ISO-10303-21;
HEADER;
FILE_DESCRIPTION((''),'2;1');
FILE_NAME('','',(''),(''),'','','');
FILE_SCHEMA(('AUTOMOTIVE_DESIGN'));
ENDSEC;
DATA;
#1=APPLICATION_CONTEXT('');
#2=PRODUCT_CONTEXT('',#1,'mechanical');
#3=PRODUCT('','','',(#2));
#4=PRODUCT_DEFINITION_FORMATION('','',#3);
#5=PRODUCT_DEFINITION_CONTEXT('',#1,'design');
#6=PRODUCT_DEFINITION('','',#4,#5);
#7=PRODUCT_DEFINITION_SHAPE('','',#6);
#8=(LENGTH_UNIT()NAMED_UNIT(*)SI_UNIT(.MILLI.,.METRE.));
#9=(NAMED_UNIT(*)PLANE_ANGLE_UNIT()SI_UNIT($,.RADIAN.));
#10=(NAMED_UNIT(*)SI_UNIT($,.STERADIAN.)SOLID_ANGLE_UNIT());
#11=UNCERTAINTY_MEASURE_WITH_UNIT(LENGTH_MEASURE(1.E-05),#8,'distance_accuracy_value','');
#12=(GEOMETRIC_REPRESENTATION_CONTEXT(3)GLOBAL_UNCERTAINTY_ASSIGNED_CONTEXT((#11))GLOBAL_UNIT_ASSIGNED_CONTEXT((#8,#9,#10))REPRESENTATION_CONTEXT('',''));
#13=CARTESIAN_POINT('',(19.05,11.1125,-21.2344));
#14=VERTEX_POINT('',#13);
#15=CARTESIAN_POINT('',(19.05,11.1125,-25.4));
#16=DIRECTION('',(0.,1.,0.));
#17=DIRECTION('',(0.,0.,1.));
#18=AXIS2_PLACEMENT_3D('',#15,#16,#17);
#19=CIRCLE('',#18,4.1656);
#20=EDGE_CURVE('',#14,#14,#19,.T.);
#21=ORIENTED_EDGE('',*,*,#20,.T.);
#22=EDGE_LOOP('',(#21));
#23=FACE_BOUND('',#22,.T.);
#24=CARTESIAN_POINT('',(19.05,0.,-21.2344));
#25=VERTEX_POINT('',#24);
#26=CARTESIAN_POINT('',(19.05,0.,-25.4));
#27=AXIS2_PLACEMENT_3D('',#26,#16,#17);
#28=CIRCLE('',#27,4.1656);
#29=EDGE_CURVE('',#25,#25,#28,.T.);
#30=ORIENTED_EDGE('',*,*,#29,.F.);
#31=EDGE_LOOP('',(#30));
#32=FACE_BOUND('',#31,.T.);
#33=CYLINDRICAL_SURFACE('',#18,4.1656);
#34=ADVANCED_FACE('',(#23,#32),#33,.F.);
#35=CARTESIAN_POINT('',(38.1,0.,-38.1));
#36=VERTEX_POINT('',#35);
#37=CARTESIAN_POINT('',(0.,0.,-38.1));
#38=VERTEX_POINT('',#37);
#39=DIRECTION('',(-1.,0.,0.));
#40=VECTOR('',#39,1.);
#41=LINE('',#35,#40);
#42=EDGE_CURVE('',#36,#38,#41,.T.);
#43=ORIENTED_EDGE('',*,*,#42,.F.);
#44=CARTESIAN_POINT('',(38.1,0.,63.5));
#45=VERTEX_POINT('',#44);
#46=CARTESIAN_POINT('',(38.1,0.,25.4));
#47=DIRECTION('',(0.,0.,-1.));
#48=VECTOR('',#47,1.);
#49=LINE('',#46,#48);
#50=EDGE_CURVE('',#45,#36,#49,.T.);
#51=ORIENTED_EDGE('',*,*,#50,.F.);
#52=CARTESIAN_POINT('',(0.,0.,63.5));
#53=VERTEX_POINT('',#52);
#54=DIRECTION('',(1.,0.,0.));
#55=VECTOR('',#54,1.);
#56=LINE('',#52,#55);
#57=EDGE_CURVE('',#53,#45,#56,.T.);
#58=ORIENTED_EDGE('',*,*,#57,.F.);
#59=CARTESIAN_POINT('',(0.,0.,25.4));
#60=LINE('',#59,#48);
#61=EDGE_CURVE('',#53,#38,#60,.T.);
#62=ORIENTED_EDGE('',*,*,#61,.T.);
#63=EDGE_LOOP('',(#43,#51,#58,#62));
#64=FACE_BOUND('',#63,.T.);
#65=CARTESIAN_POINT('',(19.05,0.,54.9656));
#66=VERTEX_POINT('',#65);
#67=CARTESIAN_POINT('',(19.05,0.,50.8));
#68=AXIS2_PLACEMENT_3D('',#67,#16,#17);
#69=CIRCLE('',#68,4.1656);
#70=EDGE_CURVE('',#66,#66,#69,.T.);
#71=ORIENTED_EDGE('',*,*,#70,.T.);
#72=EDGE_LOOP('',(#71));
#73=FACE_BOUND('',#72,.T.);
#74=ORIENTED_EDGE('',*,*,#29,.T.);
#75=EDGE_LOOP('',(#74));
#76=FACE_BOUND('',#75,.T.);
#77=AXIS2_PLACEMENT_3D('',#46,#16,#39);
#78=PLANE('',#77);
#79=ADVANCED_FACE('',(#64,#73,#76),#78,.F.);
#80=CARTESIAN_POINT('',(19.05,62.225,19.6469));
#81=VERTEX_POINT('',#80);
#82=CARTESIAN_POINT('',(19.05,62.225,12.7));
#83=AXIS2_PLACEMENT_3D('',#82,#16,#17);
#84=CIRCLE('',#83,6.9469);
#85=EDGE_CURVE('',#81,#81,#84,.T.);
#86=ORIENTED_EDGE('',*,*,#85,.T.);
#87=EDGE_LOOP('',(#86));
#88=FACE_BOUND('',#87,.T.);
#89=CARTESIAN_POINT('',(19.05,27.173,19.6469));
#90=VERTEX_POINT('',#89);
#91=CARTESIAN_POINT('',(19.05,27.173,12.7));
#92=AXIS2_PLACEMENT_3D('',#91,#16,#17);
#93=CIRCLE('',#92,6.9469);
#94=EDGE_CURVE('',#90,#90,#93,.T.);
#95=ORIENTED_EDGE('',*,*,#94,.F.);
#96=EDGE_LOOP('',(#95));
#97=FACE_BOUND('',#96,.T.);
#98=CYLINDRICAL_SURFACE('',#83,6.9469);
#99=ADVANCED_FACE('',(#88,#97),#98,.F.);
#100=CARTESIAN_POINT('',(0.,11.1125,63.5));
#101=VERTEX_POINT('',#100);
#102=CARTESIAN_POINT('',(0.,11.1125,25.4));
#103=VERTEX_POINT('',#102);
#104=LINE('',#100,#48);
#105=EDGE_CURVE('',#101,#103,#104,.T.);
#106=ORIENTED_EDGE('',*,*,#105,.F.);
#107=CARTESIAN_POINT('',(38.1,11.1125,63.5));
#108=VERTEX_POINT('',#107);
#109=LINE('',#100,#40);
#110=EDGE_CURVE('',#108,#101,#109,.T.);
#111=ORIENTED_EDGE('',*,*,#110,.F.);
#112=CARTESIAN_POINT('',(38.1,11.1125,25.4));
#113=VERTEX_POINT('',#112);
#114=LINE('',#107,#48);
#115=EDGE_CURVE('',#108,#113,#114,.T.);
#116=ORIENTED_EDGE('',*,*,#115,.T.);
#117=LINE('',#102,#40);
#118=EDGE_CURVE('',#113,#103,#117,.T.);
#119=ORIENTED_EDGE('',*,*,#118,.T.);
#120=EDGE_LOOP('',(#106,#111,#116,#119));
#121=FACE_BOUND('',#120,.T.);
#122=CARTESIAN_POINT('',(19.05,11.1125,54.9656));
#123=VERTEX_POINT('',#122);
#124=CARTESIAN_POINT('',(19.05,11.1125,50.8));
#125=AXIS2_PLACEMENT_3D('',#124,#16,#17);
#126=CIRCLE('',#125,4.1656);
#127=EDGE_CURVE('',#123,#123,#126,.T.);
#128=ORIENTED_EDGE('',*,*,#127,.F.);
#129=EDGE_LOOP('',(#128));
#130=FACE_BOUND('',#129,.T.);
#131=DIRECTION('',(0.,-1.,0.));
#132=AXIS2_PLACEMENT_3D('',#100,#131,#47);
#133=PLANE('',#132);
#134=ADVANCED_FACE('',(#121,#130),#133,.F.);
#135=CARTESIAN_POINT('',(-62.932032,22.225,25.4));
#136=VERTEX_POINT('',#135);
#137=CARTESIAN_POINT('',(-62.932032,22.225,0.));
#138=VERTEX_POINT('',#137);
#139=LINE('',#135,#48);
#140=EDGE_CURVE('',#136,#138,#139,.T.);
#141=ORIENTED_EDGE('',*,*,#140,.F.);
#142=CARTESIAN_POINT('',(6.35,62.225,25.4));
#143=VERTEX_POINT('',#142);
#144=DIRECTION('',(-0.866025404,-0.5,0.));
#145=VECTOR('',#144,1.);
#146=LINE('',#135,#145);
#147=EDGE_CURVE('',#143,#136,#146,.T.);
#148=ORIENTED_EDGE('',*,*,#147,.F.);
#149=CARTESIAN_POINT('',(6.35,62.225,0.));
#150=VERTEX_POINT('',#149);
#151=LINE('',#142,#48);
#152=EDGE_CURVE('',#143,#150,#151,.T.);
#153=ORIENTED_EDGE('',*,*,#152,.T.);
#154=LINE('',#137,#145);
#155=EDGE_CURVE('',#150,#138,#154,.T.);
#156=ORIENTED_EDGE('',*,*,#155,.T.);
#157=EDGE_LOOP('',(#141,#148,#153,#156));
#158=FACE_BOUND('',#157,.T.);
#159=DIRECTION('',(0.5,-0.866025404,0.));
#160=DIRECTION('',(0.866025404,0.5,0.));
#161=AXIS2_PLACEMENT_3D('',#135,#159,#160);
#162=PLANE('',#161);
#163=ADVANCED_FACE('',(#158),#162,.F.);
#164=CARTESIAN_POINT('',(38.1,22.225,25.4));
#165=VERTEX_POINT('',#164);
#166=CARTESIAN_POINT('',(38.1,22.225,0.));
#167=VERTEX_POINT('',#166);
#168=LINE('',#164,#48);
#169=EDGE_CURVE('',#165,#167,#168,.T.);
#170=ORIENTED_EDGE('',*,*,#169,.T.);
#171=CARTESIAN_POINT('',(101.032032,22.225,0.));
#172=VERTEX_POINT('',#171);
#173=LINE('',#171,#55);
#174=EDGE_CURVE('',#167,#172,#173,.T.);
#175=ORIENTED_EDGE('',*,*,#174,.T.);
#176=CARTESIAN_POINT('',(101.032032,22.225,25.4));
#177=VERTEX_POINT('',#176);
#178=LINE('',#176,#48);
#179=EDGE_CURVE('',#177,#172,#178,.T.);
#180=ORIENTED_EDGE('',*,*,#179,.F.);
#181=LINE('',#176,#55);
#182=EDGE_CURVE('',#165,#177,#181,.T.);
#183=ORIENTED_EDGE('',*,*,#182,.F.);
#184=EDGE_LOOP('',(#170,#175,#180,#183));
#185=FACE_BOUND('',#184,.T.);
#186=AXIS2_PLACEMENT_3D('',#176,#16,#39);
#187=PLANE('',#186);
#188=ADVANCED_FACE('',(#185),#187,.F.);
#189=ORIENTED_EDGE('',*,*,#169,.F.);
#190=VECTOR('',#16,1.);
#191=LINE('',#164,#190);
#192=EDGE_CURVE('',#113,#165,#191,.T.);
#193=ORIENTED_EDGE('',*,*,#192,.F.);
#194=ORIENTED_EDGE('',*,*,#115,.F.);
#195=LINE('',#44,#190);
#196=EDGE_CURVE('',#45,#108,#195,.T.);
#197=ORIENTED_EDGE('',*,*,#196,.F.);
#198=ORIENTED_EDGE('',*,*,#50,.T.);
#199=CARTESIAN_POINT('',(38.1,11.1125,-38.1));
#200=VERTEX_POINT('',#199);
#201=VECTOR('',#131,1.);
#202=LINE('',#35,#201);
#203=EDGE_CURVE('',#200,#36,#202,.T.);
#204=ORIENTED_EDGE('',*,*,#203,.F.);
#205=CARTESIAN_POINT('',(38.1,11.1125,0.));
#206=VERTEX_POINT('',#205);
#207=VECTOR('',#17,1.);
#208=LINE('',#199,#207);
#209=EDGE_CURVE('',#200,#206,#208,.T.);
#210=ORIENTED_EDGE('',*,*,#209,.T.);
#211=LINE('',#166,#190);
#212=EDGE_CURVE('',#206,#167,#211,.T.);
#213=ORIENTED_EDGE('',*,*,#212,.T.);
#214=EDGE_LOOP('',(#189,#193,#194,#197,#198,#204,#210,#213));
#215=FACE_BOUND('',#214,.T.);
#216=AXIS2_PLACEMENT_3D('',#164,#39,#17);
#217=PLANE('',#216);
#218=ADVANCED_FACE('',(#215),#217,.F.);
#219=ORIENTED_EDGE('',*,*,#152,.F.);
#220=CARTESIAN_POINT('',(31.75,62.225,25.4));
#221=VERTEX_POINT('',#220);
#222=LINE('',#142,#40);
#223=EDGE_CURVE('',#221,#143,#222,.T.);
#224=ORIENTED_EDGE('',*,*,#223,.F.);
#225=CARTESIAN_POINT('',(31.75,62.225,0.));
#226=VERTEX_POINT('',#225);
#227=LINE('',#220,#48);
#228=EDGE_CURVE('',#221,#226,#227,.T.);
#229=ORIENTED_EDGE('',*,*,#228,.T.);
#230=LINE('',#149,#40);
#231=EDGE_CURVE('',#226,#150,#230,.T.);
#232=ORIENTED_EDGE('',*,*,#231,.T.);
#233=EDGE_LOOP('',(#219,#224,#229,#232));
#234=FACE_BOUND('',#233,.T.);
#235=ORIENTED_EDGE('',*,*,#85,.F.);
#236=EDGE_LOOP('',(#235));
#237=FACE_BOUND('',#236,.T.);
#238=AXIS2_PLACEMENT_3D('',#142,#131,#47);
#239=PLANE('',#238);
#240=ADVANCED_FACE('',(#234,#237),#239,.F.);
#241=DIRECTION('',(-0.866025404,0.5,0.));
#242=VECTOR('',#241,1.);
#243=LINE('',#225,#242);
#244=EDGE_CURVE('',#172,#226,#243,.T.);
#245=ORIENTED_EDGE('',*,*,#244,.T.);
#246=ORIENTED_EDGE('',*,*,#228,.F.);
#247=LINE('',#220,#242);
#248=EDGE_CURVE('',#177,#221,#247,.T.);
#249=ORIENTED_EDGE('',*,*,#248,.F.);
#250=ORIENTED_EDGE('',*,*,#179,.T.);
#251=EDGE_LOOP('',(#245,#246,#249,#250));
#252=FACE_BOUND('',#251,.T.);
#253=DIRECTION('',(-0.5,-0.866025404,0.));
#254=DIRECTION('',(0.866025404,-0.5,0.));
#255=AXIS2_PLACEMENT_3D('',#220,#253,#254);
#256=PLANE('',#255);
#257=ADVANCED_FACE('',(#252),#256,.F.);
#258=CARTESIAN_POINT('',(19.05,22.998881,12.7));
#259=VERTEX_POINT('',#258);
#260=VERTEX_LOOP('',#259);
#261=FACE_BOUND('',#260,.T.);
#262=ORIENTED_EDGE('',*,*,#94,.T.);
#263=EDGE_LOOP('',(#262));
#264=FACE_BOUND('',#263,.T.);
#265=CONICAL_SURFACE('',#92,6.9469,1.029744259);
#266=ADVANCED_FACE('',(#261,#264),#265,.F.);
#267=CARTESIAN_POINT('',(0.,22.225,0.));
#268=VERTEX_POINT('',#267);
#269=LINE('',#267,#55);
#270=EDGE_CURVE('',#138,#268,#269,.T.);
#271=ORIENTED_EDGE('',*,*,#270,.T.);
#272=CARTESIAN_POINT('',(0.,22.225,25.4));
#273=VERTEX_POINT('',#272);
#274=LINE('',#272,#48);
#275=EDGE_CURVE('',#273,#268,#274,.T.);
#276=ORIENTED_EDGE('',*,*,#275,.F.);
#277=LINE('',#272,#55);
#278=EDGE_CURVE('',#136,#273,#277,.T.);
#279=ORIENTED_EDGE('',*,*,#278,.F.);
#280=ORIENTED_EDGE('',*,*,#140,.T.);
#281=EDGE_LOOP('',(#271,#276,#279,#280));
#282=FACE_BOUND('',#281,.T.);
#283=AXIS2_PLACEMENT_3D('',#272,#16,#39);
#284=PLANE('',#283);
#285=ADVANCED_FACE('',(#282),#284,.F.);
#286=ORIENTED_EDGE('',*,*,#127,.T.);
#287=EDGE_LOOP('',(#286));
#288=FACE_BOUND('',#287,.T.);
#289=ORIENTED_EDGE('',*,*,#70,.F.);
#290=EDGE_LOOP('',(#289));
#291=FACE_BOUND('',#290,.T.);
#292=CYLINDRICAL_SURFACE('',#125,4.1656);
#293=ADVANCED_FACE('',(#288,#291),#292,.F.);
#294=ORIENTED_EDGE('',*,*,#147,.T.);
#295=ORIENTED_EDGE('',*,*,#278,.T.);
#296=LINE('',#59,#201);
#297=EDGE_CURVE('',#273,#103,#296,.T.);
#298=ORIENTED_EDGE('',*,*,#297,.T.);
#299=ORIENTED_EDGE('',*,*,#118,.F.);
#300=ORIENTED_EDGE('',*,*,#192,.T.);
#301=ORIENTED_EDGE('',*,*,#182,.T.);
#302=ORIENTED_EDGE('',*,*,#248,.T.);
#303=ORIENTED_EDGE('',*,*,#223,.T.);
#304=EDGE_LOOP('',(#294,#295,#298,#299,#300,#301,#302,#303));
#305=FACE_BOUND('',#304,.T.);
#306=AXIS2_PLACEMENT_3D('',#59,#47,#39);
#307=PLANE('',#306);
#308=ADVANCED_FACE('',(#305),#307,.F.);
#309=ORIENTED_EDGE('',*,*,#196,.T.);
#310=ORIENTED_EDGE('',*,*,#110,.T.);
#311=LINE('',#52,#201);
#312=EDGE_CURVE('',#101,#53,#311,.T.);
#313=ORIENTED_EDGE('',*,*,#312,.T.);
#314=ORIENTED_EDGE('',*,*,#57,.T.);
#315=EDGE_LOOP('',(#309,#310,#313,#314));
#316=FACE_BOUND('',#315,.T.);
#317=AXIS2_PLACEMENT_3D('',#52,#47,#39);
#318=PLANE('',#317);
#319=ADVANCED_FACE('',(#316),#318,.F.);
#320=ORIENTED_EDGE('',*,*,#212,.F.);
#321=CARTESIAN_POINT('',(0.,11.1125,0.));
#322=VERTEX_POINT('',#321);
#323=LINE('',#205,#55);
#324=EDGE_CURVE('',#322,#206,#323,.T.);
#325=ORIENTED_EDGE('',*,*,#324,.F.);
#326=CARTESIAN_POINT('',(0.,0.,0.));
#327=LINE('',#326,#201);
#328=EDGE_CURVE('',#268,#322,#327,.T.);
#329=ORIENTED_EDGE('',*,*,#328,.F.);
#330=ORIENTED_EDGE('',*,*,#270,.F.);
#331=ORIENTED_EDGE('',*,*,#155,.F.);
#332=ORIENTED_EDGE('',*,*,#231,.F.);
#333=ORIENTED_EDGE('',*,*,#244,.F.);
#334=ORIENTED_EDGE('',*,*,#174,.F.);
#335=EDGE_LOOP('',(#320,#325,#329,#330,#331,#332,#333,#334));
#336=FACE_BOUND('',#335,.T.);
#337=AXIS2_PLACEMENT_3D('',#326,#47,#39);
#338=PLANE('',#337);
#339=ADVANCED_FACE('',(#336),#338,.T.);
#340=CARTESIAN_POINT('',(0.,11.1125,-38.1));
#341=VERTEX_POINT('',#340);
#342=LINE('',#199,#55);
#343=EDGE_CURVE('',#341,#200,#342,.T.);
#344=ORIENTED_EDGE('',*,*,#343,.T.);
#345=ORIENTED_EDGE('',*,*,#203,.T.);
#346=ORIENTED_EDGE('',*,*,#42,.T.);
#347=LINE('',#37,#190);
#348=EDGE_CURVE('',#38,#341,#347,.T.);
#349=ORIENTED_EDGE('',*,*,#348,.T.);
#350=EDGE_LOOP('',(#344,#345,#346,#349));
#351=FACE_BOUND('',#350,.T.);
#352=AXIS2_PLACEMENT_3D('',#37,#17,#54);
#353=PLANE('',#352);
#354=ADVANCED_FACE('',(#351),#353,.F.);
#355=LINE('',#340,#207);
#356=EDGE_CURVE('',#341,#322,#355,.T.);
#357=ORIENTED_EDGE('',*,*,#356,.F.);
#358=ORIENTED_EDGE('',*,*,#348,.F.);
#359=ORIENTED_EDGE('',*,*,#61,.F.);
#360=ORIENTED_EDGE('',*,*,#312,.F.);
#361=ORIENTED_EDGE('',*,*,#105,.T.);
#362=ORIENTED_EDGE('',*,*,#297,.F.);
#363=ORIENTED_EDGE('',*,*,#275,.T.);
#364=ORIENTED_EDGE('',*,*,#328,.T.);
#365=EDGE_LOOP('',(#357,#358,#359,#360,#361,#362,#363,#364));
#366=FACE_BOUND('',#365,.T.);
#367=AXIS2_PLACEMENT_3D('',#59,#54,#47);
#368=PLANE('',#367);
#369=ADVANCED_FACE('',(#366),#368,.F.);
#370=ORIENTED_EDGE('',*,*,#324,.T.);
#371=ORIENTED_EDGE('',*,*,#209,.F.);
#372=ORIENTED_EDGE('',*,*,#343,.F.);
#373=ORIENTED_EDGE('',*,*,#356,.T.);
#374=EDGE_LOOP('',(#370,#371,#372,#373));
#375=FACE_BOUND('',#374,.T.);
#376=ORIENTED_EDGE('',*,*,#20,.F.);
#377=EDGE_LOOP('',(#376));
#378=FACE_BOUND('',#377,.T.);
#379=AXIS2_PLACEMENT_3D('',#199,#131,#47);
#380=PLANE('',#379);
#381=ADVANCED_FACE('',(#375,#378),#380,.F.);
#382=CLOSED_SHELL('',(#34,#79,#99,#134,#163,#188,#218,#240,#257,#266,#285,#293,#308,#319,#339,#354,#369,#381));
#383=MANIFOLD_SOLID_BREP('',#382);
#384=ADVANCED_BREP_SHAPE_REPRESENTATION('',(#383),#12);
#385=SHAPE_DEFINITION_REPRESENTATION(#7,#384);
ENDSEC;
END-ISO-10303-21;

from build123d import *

# Parameters (mm, degrees)
BOSS_EXTRUDE1_DEPTH        = 25.4
SKETCH2_W                  = 38.1
SKETCH2_H                  = 11.1125
BOSS_EXTRUDE2_DEPTH        = 38.1
SKETCH3_W                  = 38.1
SKETCH3_H                  = 11.1125
BOSS_EXTRUDE3_DEPTH        = 38.1
F_0_328IN_DOWEL_HOLE1_D    = 8.3312
F_0_55IN_DOWEL_HOLE2_D     = 13.8938
F_0_55IN_DOWEL_HOLE2_DEPTH = 35.052
F_0_55IN_DOWEL_HOLE2_TIP   = 4.174118634


with BuildPart() as part:
    # Sketch1 → Boss-Extrude1 (new body)
    with BuildSketch(Plane.XY):
        Polygon((0, 0), (0, 22.225), (-62.932032303, 22.225), (6.35, 62.225), (31.75, 62.225), (101.032032303, 22.225), (38.1, 22.225), (38.1, 0), align=None)
    extrude(amount=BOSS_EXTRUDE1_DEPTH)

    # Sketch2 → Boss-Extrude2 (add)
    with BuildSketch(Plane.XY.offset(25.4)):
        with Locations((19.05, 5.55625)):
            Rectangle(SKETCH2_W, SKETCH2_H)
    extrude(amount=BOSS_EXTRUDE2_DEPTH)

    # Sketch3 → Boss-Extrude3 (add)
    with BuildSketch(Plane(origin=(0, 0, 0), x_dir=(-1, 0, 0), z_dir=(0, 0, -1))):
        with Locations((-19.05, 5.55625)):
            Rectangle(SKETCH3_W, SKETCH3_H)
    extrude(amount=BOSS_EXTRUDE3_DEPTH)

    # Ø0.328in Dowel Hole1 (through all)
    with Locations(Plane(origin=(0, 11.1125, 0), x_dir=(1, 0, 0), z_dir=(0, 1, 0))):
        with Locations((19.05, 25.4), (19.05, -50.8)):
            Hole(F_0_328IN_DOWEL_HOLE1_D / 2)

    # Ø0.55in Dowel Hole2
    with Locations(Plane(origin=(0, 62.225, 0), x_dir=(1, 0, 0), z_dir=(0, 1, 0))):
        with Locations((19.05, -12.7)):
            Hole(F_0_55IN_DOWEL_HOLE2_D / 2, depth=F_0_55IN_DOWEL_HOLE2_DEPTH)
            with Locations((0, 0, -(F_0_55IN_DOWEL_HOLE2_DEPTH + F_0_55IN_DOWEL_HOLE2_TIP / 2))):  # 118° drill point
                Cone(0, F_0_55IN_DOWEL_HOLE2_D / 2, F_0_55IN_DOWEL_HOLE2_TIP, mode=Mode.SUBTRACT)


solid = part.part
